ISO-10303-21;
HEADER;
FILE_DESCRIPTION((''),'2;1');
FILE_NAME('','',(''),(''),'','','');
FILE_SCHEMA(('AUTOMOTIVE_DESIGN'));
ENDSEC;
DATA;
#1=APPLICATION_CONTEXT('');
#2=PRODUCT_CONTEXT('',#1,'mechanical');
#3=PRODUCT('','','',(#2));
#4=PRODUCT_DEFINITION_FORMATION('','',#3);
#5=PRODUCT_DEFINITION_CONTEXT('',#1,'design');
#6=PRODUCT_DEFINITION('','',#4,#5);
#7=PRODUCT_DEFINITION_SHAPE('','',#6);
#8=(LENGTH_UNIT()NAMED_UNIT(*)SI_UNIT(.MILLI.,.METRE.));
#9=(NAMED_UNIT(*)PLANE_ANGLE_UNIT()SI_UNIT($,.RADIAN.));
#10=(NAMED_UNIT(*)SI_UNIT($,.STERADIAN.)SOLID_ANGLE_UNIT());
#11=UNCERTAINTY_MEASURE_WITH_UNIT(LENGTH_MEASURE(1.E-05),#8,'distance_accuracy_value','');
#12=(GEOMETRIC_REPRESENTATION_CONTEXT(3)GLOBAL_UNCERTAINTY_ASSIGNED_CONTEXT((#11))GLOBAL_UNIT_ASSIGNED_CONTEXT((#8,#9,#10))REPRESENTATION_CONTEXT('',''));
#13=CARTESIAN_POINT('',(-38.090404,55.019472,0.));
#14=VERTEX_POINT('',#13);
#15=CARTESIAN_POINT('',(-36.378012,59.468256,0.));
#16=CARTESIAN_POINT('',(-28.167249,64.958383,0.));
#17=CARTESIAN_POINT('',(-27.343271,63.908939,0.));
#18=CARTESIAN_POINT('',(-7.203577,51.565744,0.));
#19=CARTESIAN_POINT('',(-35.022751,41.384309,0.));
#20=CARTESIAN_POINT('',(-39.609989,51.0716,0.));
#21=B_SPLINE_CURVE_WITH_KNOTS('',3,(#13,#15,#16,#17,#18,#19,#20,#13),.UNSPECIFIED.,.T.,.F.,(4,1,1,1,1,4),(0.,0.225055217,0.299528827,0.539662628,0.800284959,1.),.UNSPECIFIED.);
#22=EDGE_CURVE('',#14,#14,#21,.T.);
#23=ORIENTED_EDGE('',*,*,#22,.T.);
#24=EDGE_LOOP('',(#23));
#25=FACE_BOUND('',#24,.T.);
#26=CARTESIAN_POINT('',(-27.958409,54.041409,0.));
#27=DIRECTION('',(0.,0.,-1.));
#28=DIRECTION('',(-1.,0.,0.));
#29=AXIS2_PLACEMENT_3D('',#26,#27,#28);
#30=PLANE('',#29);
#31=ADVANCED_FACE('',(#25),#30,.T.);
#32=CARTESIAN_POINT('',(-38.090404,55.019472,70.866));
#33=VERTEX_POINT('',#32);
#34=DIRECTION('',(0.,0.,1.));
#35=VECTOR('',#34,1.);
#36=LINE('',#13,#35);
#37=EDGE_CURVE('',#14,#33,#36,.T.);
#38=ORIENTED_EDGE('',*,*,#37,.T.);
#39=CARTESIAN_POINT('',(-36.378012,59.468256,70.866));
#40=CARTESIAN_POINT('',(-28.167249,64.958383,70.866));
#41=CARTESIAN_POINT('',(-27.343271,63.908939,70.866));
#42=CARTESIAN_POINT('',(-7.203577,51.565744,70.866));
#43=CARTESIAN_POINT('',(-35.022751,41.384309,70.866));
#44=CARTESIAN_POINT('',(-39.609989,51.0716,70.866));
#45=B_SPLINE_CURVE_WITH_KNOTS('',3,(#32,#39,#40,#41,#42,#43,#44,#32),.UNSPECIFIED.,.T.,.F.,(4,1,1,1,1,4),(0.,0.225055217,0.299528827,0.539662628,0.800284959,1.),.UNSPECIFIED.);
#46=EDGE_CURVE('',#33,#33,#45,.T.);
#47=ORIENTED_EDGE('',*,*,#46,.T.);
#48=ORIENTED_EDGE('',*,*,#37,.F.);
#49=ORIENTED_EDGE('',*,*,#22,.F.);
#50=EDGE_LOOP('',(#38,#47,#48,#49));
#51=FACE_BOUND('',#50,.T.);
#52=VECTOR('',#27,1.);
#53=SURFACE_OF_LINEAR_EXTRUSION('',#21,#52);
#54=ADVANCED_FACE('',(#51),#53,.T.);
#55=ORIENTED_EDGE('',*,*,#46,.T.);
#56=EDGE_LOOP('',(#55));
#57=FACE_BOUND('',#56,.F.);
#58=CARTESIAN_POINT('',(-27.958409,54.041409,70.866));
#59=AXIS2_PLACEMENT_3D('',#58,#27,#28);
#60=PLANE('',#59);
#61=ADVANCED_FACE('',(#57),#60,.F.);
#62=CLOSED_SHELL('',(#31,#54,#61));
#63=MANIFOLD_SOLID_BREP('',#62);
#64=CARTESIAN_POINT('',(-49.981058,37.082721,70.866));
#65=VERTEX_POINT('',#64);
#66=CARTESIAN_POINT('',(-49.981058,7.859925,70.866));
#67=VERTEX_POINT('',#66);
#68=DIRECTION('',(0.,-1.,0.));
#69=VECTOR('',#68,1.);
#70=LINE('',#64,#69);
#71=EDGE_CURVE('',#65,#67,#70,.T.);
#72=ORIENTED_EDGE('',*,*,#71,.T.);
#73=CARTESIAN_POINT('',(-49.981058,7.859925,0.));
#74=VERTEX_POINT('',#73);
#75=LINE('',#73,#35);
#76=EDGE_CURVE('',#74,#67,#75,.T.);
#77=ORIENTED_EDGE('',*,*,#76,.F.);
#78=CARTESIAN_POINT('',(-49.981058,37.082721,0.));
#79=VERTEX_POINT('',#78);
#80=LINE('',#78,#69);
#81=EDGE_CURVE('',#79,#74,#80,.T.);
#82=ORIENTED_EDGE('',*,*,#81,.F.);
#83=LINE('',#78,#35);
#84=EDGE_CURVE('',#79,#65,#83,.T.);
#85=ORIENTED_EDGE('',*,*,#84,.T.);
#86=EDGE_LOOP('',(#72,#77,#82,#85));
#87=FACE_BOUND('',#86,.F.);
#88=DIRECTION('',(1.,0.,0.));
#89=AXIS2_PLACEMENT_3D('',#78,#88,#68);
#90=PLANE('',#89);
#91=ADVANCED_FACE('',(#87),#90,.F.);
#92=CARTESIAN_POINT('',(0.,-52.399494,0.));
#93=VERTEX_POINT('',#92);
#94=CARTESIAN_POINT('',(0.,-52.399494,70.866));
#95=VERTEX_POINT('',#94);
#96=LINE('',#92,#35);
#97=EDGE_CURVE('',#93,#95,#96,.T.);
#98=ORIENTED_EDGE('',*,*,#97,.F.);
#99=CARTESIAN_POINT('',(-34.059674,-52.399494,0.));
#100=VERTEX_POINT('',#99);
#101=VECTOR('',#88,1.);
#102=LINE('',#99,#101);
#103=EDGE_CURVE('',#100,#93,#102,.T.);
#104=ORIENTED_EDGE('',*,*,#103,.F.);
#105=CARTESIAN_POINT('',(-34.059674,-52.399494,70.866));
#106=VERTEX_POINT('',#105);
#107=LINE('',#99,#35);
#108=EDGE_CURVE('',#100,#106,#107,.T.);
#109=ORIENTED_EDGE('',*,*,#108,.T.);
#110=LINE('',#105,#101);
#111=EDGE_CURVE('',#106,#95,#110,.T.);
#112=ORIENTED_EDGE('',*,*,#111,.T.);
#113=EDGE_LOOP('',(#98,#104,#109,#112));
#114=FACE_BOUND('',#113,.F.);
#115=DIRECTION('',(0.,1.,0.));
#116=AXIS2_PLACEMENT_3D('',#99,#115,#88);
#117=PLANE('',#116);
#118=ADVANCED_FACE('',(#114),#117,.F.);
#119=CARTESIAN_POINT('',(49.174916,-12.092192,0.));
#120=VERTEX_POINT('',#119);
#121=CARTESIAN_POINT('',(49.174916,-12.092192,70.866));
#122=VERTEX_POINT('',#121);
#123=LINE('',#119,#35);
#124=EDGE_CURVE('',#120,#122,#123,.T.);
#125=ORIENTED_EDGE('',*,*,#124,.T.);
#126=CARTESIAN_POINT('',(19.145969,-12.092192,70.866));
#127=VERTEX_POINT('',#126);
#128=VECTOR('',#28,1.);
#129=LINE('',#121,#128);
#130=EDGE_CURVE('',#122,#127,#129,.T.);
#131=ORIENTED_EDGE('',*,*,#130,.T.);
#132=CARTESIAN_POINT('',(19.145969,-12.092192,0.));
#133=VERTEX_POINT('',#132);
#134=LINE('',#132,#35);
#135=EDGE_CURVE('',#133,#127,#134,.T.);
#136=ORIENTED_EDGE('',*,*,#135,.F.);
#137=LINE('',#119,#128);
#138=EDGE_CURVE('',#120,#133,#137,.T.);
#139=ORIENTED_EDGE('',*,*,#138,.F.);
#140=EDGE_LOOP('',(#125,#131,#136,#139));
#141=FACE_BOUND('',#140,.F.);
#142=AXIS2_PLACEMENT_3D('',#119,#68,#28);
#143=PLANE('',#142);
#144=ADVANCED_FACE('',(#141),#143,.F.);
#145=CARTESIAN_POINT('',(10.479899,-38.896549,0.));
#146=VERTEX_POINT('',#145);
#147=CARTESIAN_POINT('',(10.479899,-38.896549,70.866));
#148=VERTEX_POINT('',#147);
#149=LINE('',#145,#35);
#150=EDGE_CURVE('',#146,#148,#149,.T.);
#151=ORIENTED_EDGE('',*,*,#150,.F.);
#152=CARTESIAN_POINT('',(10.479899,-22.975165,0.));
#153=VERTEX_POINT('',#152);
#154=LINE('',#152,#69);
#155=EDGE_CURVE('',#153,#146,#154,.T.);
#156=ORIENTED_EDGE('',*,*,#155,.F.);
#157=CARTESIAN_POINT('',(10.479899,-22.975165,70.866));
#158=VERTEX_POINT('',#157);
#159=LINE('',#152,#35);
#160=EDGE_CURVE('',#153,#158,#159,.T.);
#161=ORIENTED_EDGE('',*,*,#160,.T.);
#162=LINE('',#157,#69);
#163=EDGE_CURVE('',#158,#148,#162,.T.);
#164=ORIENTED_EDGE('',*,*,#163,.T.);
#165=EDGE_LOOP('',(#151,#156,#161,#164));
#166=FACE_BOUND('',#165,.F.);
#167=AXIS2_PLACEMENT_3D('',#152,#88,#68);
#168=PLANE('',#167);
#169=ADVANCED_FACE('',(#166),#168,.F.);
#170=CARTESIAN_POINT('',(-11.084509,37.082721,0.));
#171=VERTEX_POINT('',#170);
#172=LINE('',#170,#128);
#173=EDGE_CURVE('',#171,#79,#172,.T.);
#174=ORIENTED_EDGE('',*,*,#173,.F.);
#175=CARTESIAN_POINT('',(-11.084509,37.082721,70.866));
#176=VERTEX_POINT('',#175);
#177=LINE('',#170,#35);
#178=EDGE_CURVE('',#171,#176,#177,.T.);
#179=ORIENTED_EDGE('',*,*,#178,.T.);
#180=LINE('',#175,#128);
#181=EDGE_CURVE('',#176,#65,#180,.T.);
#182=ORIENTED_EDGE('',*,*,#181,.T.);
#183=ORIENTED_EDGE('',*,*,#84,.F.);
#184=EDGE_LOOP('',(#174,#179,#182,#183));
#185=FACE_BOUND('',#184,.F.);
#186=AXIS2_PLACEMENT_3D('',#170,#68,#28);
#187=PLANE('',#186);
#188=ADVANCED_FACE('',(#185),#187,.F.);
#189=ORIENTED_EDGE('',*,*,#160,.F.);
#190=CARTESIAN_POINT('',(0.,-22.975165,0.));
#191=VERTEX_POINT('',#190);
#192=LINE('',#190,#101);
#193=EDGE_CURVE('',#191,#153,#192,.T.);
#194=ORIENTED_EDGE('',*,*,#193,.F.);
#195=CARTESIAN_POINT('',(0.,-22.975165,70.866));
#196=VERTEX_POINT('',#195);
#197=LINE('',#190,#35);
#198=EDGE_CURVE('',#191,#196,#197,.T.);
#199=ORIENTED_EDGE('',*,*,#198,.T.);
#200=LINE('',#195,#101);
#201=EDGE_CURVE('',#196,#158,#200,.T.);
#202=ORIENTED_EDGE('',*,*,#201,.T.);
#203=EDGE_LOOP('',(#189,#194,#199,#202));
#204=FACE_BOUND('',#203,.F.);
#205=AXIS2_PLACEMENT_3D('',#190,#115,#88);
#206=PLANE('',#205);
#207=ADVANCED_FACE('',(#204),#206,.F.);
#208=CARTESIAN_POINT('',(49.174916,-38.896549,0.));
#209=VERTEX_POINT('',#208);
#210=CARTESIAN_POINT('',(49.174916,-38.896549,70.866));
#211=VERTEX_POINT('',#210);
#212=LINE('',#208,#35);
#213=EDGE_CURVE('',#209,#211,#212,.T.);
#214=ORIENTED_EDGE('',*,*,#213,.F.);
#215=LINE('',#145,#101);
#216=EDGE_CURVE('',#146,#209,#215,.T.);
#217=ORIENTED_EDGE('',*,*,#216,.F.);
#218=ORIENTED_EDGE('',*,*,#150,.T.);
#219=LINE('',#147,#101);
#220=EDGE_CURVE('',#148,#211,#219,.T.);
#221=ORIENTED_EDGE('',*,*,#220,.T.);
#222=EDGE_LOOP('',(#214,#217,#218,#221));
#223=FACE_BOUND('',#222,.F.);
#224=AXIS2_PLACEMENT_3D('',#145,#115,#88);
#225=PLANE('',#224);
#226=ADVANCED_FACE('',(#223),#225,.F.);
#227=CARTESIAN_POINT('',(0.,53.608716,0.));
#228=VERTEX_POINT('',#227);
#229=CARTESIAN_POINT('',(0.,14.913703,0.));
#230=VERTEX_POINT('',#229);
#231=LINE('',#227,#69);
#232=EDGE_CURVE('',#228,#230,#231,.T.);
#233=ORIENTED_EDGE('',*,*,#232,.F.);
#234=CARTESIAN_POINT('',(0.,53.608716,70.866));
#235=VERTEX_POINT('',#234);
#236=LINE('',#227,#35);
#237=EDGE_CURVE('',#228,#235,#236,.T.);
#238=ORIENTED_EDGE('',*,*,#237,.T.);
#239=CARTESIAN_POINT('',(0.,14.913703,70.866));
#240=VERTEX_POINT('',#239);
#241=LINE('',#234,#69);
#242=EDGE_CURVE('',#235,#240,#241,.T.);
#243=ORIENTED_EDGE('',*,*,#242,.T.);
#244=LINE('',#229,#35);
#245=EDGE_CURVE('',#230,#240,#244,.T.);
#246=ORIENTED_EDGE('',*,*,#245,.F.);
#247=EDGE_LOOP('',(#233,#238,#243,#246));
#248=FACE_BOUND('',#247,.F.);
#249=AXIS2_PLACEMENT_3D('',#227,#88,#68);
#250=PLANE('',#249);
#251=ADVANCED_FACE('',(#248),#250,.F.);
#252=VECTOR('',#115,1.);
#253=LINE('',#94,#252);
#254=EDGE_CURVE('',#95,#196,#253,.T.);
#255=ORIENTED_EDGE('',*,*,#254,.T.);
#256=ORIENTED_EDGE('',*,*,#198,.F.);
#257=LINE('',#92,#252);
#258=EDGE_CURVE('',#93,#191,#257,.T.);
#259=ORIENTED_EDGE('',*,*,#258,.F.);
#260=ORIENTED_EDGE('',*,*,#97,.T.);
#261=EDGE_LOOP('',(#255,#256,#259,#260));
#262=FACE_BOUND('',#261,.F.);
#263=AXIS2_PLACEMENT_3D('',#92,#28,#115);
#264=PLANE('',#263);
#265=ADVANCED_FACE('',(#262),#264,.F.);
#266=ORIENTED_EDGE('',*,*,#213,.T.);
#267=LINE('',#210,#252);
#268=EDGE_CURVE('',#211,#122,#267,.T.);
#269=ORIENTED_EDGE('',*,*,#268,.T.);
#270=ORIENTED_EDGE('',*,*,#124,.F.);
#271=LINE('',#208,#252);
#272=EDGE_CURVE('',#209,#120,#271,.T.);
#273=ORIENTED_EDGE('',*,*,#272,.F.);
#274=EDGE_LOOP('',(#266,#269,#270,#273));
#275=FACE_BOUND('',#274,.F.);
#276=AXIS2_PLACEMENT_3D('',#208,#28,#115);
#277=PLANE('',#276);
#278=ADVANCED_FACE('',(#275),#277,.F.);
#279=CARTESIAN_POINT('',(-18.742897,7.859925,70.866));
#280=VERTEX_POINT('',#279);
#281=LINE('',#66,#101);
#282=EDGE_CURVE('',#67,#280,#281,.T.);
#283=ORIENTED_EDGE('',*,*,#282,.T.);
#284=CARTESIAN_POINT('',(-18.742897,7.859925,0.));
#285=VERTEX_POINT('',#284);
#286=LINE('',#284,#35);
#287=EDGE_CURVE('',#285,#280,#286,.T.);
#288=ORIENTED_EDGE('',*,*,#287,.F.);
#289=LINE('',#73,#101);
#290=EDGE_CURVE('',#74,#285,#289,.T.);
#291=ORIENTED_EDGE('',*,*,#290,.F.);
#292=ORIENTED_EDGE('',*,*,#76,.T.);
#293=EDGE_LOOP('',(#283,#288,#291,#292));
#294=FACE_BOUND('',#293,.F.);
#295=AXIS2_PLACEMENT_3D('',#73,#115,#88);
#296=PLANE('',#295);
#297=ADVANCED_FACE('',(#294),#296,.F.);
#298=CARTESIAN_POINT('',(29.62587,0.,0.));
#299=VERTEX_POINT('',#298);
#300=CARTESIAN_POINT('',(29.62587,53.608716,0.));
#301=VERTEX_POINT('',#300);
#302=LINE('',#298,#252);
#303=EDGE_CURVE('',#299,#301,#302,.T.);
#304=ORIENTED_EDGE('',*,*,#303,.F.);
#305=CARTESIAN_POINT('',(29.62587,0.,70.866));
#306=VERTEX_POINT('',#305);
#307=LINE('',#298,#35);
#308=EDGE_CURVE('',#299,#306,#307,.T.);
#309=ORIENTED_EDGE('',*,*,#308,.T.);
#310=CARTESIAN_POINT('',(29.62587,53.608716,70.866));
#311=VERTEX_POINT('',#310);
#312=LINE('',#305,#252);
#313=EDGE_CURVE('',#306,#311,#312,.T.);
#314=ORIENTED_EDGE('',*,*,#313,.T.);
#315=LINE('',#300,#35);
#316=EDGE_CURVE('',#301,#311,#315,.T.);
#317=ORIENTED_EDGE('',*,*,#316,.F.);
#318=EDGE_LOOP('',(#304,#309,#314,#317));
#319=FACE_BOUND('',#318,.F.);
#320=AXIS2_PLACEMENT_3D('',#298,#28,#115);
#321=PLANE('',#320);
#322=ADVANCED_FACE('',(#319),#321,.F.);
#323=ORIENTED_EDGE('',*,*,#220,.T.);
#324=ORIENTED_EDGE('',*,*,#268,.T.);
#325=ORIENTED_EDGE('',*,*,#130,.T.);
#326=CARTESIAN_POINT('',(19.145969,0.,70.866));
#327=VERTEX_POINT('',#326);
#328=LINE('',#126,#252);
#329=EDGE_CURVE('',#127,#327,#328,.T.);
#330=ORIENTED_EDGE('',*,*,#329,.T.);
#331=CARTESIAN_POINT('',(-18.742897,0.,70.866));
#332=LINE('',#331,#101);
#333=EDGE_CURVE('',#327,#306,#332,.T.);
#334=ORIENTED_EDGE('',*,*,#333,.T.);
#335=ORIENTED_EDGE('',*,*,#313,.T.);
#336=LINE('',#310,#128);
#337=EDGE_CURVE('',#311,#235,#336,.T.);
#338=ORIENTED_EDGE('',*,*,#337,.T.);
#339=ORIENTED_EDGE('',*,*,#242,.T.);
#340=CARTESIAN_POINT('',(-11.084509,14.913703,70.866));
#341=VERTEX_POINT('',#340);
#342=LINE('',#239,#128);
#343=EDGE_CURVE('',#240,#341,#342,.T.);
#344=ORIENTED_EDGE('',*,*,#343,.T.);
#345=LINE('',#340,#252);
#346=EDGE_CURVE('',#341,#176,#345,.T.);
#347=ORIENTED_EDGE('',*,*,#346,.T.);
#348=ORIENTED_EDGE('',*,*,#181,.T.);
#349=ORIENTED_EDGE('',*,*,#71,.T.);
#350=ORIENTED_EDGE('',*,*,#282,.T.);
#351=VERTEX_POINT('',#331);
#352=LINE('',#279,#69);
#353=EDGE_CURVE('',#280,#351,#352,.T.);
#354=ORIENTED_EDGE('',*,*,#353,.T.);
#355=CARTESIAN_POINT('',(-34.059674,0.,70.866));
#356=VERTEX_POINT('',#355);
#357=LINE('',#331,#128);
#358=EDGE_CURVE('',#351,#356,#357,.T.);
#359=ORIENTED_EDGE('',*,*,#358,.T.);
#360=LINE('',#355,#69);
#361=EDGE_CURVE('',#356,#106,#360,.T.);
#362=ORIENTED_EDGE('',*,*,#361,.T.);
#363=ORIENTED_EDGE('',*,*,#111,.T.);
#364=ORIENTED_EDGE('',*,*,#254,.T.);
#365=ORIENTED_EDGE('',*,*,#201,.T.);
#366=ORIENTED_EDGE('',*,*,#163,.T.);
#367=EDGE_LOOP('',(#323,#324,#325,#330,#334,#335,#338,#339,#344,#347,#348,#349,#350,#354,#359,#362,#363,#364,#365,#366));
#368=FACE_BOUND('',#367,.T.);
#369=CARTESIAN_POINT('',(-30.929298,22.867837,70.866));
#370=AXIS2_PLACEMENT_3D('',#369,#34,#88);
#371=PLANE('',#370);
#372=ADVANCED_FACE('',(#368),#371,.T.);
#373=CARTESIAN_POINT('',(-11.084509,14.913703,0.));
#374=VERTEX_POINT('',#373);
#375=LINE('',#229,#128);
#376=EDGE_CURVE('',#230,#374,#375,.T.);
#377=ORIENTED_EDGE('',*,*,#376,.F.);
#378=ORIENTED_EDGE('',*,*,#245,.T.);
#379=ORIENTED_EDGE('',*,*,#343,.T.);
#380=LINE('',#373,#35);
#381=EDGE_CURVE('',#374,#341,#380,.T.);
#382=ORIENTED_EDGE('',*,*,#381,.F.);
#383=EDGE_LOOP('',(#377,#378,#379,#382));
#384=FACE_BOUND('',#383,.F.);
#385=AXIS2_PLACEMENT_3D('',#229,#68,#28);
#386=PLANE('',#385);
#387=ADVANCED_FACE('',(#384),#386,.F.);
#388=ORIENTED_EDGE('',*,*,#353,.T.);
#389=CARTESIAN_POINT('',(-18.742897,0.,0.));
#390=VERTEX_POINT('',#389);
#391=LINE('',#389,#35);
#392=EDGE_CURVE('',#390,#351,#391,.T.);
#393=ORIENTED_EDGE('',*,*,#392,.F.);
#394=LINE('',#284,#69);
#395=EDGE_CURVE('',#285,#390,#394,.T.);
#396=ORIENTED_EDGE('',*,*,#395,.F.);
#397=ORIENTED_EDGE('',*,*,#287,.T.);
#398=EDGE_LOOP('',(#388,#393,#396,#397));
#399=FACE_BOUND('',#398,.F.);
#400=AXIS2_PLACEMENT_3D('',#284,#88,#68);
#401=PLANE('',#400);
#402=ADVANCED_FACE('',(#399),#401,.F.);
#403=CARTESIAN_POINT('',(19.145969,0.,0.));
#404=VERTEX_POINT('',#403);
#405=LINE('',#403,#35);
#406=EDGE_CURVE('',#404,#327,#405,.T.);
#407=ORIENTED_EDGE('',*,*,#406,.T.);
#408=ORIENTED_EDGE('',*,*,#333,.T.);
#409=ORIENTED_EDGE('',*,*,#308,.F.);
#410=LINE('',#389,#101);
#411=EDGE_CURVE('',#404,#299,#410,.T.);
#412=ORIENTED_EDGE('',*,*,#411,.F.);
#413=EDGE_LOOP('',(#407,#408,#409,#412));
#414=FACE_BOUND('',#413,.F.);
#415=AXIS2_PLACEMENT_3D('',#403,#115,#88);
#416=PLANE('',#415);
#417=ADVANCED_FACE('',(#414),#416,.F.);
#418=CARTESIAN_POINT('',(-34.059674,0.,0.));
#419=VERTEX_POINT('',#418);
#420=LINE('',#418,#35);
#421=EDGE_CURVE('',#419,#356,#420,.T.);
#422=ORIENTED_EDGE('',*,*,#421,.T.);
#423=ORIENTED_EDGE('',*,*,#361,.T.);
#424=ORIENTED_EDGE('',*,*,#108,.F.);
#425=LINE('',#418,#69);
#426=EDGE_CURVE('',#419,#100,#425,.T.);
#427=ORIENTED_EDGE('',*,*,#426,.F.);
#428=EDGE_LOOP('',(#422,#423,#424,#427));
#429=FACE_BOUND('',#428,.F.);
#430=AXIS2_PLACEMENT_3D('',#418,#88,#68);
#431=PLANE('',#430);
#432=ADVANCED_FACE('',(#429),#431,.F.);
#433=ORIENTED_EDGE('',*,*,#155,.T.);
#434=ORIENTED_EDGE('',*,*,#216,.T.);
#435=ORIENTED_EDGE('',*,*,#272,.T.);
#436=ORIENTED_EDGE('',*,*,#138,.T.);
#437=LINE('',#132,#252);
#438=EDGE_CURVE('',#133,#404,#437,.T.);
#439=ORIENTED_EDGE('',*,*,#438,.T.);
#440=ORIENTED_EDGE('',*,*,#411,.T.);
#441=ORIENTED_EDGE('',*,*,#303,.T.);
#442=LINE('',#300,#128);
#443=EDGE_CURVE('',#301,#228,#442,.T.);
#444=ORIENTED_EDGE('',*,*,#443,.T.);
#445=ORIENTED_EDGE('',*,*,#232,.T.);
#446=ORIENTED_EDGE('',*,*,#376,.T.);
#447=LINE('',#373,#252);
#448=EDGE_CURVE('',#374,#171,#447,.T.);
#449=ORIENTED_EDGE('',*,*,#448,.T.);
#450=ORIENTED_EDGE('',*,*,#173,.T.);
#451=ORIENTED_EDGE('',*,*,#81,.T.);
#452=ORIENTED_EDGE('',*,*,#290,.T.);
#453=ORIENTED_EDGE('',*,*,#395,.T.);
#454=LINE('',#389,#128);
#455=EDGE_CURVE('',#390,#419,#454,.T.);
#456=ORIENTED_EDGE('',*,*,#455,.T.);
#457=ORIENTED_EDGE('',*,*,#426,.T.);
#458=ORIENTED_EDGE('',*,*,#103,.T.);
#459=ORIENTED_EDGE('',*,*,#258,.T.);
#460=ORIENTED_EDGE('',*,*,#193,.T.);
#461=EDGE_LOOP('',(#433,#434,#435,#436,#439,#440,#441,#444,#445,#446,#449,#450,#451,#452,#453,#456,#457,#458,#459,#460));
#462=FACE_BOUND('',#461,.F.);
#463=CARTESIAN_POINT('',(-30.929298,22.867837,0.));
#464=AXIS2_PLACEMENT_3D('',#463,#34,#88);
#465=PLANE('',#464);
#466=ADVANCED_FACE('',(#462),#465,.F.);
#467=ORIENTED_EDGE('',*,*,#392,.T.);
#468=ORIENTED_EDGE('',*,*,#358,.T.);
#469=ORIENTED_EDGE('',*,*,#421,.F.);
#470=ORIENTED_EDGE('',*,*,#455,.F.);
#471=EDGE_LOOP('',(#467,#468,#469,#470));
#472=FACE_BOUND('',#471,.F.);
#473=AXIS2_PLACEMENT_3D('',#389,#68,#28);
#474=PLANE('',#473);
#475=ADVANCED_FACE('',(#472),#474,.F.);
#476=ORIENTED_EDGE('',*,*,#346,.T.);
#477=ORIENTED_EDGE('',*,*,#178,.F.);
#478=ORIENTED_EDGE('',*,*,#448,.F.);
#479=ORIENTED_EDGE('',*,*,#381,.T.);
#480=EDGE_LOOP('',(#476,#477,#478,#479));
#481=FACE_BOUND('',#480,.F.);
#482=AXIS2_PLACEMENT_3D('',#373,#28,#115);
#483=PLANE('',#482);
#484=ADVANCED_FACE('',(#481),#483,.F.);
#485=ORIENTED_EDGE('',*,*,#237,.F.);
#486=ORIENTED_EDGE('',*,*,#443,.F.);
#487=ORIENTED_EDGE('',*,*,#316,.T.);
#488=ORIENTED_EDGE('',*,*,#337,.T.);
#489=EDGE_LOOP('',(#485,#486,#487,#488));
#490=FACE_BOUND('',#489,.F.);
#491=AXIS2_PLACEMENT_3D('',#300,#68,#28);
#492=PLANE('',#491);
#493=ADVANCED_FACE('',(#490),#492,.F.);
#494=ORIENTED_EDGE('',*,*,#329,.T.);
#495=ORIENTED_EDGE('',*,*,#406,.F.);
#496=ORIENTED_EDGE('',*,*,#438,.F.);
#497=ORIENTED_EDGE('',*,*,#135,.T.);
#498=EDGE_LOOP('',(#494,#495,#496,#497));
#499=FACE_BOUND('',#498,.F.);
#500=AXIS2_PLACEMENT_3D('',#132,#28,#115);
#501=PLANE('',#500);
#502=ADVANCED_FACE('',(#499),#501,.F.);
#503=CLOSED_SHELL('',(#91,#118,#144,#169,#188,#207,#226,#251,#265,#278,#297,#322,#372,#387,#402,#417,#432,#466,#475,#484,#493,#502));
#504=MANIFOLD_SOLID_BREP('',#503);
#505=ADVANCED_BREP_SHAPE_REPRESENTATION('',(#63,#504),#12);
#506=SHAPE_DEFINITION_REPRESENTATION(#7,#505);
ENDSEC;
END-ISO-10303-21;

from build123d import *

# Parameters (mm, degrees)
F0_W     = 7.6583875343
F0_H     = 7.0537785068
F0_W_2   = 19.1459693015
F0_H_2   = 14.913703315
F0_W_3   = 18.7428966165
F0_H_3   = 22.9751653969
F0_W_4   = 8.6660701782
F0_H_4   = 10.882973671
F1_DEPTH = 70.866


with BuildPart() as f1:
    # F0 (on Top) → F1 (new body)
    with BuildSketch(Plane.XY):
        Polygon((-18.7428966165, 7.8599248081), (-18.7428966165, 14.913703315), (-11.0845090821, 14.913703315), (-11.0845090821, 37.0827205479), (-49.9810576439, 37.0827205479), (-49.9810576439, 7.8599248081), align=None)
        with Locations((-14.9137028493, 11.3868140616)):
            Rectangle(F0_W, F0_H)
        Polygon((0, 14.913703315), (-11.0845090821, 14.913703315), (-11.0845090821, 7.8599248081), (-18.7428966165, 7.8599248081), (-18.7428966165, 0), (0, 0), align=None)
        Polygon((0, 53.6087155342), (0, 14.913703315), (19.1459693015, 14.913703315), (19.1459693015, 0), (29.6258702874, 0), (29.6258702874, 53.6087155342), align=None)
        with Locations((9.5729846507, 7.4568516575)):
            Rectangle(F0_W_2, F0_H_2)
        with Locations((-9.3714483082, -11.4875826985)):
            Rectangle(F0_W_3, F0_H_3)
        Polygon((-18.7428966165, -22.9751653969), (-18.7428966165, 0), (-34.0596735477, 0), (-34.0596735477, -52.3994937539), (0, -52.3994937539), (0, -22.9751653969), align=None)
        Polygon((19.1459693015, 0), (0, 0), (0, -22.9751653969), (10.4798991233, -22.9751653969), (10.4798991233, -12.092191726), (19.1459693015, -12.092191726), align=None)
        Polygon((49.1749159992, -12.092191726), (19.1459693015, -12.092191726), (19.1459693015, -22.9751653969), (10.4798991233, -22.9751653969), (10.4798991233, -38.8965494931), (49.1749159992, -38.8965494931), align=None)
        with Locations((14.8129342124, -17.5336785614)):
            Rectangle(F0_W_4, F0_H_4)
    extrude(amount=F1_DEPTH)


with BuildPart() as f1b:
    # F0 (on Top) → F1, piece 2 (new body)
    with BuildSketch(Plane.XY):
        with BuildLine():
            add(Edge.make_bspline(
                [(-38.0904041231, 55.0194717944), (-36.3780115506, 59.4682564612), (-28.1672485197, 64.9583832558), (-27.3432712808, 63.9089394809), (-7.203577478, 51.5657441557), (-35.0227511285, 41.3843094842), (-39.6099892146, 51.0715996981), (-38.0904041231, 55.0194717944)],
                knots=[0, 0, 0, 0, 0.2250552172, 0.2995288273, 0.5396626284, 0.800284959, 1, 1, 1, 1], degree=3))
        make_face()
    extrude(amount=F1_DEPTH)


solid = Compound([f1.part, f1b.part])
